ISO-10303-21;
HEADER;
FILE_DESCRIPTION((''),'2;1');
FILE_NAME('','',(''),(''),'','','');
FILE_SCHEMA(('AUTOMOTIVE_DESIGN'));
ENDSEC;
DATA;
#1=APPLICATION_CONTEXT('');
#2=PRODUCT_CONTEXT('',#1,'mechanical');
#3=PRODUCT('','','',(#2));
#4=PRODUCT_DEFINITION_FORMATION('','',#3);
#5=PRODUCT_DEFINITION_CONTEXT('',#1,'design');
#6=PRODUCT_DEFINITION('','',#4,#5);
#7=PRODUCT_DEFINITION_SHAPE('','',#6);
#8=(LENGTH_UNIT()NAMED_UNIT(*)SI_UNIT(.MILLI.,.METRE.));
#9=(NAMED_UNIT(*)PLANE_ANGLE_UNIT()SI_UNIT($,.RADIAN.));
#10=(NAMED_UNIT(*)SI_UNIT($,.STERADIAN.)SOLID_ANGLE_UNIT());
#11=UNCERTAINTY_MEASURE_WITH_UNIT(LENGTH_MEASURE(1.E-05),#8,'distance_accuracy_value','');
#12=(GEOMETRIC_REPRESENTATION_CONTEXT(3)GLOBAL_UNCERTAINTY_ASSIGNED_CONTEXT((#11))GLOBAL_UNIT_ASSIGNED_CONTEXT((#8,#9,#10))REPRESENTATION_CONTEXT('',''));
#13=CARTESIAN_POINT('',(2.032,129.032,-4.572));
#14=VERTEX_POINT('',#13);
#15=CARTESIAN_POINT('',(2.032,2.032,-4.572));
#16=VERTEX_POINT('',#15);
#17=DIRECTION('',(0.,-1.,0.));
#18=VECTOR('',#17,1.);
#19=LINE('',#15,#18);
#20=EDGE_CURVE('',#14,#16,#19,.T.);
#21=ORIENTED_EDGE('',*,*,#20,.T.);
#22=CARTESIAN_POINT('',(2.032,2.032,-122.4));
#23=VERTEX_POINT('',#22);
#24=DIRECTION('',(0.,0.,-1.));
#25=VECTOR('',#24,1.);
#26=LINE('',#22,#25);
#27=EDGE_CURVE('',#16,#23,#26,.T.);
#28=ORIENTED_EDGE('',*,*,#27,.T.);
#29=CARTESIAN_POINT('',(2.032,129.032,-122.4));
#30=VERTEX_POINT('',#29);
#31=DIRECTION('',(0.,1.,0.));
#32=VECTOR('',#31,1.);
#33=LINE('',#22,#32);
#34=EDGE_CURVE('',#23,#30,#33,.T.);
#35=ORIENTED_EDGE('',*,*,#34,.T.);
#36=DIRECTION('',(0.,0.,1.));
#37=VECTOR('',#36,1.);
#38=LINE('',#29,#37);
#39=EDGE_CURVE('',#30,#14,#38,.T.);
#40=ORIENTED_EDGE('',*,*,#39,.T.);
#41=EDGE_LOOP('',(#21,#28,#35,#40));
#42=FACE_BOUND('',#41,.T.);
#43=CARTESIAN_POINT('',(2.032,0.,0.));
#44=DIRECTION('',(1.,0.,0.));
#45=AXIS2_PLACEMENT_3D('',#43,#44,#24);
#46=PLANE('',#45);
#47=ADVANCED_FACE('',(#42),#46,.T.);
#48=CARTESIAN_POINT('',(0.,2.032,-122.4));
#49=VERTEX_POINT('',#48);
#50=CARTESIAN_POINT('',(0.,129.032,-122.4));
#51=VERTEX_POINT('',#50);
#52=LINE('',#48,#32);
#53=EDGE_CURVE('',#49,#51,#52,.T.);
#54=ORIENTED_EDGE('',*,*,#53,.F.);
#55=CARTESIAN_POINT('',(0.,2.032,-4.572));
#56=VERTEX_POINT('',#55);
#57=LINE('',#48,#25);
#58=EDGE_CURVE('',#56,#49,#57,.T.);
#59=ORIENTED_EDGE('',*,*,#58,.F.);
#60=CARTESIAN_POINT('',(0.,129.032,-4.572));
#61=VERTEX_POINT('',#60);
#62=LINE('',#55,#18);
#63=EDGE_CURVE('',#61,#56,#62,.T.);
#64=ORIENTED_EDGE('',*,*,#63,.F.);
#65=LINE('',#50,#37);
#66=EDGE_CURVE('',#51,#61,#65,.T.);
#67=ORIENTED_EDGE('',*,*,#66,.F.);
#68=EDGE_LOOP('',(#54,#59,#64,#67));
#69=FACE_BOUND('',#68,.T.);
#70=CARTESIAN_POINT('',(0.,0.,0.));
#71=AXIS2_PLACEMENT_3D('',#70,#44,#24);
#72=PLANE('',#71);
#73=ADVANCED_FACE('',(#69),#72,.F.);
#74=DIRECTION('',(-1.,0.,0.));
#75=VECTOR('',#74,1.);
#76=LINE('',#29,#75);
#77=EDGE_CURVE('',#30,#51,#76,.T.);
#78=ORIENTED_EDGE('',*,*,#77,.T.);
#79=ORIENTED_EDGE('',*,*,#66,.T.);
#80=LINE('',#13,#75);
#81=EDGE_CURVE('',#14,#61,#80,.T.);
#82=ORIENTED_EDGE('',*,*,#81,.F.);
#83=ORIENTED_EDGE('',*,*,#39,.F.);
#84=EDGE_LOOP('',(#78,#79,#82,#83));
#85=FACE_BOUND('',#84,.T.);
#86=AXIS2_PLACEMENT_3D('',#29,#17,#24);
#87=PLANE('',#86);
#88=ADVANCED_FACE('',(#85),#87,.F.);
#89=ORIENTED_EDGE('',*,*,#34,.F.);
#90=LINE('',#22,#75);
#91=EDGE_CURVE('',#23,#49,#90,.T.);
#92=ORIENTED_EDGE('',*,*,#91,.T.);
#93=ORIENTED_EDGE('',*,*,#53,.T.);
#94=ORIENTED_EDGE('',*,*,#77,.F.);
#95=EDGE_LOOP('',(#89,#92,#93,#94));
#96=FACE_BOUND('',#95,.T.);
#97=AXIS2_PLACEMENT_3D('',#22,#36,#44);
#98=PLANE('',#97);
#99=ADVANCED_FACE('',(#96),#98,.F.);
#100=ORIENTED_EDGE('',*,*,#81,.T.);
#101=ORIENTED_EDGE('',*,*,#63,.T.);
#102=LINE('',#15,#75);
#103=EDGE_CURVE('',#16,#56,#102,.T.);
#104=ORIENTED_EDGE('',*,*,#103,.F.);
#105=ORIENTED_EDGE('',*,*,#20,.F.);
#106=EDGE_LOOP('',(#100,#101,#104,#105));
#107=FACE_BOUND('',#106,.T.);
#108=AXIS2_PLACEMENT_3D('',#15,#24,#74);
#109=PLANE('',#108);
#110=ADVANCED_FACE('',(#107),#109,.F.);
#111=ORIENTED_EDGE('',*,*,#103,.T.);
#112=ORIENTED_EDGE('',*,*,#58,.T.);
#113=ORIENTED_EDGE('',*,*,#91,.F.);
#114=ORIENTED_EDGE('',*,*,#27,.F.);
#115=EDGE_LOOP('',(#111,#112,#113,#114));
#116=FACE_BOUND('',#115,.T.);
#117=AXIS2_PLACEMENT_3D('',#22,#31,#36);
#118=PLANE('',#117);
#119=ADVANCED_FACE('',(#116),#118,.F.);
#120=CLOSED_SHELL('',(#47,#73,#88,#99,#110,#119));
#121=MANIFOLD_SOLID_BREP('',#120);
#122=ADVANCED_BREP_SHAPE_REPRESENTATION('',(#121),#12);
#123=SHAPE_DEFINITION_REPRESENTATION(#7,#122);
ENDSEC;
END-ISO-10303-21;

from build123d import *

# Parameters (mm, degrees)
SKETCH1_W           = 117.828
SKETCH1_H           = 127
BOSS_EXTRUDE1_DEPTH = 2.032


with BuildPart() as part:
    # Sketch1 → Boss-Extrude1 (new body)
    with BuildSketch(Plane(origin=(0, 0, 0), x_dir=(0, 0, -1), z_dir=(1, 0, 0))):
        with Locations((63.486, 65.532)):
            Rectangle(SKETCH1_W, SKETCH1_H)
    extrude(amount=BOSS_EXTRUDE1_DEPTH)


solid = part.part
